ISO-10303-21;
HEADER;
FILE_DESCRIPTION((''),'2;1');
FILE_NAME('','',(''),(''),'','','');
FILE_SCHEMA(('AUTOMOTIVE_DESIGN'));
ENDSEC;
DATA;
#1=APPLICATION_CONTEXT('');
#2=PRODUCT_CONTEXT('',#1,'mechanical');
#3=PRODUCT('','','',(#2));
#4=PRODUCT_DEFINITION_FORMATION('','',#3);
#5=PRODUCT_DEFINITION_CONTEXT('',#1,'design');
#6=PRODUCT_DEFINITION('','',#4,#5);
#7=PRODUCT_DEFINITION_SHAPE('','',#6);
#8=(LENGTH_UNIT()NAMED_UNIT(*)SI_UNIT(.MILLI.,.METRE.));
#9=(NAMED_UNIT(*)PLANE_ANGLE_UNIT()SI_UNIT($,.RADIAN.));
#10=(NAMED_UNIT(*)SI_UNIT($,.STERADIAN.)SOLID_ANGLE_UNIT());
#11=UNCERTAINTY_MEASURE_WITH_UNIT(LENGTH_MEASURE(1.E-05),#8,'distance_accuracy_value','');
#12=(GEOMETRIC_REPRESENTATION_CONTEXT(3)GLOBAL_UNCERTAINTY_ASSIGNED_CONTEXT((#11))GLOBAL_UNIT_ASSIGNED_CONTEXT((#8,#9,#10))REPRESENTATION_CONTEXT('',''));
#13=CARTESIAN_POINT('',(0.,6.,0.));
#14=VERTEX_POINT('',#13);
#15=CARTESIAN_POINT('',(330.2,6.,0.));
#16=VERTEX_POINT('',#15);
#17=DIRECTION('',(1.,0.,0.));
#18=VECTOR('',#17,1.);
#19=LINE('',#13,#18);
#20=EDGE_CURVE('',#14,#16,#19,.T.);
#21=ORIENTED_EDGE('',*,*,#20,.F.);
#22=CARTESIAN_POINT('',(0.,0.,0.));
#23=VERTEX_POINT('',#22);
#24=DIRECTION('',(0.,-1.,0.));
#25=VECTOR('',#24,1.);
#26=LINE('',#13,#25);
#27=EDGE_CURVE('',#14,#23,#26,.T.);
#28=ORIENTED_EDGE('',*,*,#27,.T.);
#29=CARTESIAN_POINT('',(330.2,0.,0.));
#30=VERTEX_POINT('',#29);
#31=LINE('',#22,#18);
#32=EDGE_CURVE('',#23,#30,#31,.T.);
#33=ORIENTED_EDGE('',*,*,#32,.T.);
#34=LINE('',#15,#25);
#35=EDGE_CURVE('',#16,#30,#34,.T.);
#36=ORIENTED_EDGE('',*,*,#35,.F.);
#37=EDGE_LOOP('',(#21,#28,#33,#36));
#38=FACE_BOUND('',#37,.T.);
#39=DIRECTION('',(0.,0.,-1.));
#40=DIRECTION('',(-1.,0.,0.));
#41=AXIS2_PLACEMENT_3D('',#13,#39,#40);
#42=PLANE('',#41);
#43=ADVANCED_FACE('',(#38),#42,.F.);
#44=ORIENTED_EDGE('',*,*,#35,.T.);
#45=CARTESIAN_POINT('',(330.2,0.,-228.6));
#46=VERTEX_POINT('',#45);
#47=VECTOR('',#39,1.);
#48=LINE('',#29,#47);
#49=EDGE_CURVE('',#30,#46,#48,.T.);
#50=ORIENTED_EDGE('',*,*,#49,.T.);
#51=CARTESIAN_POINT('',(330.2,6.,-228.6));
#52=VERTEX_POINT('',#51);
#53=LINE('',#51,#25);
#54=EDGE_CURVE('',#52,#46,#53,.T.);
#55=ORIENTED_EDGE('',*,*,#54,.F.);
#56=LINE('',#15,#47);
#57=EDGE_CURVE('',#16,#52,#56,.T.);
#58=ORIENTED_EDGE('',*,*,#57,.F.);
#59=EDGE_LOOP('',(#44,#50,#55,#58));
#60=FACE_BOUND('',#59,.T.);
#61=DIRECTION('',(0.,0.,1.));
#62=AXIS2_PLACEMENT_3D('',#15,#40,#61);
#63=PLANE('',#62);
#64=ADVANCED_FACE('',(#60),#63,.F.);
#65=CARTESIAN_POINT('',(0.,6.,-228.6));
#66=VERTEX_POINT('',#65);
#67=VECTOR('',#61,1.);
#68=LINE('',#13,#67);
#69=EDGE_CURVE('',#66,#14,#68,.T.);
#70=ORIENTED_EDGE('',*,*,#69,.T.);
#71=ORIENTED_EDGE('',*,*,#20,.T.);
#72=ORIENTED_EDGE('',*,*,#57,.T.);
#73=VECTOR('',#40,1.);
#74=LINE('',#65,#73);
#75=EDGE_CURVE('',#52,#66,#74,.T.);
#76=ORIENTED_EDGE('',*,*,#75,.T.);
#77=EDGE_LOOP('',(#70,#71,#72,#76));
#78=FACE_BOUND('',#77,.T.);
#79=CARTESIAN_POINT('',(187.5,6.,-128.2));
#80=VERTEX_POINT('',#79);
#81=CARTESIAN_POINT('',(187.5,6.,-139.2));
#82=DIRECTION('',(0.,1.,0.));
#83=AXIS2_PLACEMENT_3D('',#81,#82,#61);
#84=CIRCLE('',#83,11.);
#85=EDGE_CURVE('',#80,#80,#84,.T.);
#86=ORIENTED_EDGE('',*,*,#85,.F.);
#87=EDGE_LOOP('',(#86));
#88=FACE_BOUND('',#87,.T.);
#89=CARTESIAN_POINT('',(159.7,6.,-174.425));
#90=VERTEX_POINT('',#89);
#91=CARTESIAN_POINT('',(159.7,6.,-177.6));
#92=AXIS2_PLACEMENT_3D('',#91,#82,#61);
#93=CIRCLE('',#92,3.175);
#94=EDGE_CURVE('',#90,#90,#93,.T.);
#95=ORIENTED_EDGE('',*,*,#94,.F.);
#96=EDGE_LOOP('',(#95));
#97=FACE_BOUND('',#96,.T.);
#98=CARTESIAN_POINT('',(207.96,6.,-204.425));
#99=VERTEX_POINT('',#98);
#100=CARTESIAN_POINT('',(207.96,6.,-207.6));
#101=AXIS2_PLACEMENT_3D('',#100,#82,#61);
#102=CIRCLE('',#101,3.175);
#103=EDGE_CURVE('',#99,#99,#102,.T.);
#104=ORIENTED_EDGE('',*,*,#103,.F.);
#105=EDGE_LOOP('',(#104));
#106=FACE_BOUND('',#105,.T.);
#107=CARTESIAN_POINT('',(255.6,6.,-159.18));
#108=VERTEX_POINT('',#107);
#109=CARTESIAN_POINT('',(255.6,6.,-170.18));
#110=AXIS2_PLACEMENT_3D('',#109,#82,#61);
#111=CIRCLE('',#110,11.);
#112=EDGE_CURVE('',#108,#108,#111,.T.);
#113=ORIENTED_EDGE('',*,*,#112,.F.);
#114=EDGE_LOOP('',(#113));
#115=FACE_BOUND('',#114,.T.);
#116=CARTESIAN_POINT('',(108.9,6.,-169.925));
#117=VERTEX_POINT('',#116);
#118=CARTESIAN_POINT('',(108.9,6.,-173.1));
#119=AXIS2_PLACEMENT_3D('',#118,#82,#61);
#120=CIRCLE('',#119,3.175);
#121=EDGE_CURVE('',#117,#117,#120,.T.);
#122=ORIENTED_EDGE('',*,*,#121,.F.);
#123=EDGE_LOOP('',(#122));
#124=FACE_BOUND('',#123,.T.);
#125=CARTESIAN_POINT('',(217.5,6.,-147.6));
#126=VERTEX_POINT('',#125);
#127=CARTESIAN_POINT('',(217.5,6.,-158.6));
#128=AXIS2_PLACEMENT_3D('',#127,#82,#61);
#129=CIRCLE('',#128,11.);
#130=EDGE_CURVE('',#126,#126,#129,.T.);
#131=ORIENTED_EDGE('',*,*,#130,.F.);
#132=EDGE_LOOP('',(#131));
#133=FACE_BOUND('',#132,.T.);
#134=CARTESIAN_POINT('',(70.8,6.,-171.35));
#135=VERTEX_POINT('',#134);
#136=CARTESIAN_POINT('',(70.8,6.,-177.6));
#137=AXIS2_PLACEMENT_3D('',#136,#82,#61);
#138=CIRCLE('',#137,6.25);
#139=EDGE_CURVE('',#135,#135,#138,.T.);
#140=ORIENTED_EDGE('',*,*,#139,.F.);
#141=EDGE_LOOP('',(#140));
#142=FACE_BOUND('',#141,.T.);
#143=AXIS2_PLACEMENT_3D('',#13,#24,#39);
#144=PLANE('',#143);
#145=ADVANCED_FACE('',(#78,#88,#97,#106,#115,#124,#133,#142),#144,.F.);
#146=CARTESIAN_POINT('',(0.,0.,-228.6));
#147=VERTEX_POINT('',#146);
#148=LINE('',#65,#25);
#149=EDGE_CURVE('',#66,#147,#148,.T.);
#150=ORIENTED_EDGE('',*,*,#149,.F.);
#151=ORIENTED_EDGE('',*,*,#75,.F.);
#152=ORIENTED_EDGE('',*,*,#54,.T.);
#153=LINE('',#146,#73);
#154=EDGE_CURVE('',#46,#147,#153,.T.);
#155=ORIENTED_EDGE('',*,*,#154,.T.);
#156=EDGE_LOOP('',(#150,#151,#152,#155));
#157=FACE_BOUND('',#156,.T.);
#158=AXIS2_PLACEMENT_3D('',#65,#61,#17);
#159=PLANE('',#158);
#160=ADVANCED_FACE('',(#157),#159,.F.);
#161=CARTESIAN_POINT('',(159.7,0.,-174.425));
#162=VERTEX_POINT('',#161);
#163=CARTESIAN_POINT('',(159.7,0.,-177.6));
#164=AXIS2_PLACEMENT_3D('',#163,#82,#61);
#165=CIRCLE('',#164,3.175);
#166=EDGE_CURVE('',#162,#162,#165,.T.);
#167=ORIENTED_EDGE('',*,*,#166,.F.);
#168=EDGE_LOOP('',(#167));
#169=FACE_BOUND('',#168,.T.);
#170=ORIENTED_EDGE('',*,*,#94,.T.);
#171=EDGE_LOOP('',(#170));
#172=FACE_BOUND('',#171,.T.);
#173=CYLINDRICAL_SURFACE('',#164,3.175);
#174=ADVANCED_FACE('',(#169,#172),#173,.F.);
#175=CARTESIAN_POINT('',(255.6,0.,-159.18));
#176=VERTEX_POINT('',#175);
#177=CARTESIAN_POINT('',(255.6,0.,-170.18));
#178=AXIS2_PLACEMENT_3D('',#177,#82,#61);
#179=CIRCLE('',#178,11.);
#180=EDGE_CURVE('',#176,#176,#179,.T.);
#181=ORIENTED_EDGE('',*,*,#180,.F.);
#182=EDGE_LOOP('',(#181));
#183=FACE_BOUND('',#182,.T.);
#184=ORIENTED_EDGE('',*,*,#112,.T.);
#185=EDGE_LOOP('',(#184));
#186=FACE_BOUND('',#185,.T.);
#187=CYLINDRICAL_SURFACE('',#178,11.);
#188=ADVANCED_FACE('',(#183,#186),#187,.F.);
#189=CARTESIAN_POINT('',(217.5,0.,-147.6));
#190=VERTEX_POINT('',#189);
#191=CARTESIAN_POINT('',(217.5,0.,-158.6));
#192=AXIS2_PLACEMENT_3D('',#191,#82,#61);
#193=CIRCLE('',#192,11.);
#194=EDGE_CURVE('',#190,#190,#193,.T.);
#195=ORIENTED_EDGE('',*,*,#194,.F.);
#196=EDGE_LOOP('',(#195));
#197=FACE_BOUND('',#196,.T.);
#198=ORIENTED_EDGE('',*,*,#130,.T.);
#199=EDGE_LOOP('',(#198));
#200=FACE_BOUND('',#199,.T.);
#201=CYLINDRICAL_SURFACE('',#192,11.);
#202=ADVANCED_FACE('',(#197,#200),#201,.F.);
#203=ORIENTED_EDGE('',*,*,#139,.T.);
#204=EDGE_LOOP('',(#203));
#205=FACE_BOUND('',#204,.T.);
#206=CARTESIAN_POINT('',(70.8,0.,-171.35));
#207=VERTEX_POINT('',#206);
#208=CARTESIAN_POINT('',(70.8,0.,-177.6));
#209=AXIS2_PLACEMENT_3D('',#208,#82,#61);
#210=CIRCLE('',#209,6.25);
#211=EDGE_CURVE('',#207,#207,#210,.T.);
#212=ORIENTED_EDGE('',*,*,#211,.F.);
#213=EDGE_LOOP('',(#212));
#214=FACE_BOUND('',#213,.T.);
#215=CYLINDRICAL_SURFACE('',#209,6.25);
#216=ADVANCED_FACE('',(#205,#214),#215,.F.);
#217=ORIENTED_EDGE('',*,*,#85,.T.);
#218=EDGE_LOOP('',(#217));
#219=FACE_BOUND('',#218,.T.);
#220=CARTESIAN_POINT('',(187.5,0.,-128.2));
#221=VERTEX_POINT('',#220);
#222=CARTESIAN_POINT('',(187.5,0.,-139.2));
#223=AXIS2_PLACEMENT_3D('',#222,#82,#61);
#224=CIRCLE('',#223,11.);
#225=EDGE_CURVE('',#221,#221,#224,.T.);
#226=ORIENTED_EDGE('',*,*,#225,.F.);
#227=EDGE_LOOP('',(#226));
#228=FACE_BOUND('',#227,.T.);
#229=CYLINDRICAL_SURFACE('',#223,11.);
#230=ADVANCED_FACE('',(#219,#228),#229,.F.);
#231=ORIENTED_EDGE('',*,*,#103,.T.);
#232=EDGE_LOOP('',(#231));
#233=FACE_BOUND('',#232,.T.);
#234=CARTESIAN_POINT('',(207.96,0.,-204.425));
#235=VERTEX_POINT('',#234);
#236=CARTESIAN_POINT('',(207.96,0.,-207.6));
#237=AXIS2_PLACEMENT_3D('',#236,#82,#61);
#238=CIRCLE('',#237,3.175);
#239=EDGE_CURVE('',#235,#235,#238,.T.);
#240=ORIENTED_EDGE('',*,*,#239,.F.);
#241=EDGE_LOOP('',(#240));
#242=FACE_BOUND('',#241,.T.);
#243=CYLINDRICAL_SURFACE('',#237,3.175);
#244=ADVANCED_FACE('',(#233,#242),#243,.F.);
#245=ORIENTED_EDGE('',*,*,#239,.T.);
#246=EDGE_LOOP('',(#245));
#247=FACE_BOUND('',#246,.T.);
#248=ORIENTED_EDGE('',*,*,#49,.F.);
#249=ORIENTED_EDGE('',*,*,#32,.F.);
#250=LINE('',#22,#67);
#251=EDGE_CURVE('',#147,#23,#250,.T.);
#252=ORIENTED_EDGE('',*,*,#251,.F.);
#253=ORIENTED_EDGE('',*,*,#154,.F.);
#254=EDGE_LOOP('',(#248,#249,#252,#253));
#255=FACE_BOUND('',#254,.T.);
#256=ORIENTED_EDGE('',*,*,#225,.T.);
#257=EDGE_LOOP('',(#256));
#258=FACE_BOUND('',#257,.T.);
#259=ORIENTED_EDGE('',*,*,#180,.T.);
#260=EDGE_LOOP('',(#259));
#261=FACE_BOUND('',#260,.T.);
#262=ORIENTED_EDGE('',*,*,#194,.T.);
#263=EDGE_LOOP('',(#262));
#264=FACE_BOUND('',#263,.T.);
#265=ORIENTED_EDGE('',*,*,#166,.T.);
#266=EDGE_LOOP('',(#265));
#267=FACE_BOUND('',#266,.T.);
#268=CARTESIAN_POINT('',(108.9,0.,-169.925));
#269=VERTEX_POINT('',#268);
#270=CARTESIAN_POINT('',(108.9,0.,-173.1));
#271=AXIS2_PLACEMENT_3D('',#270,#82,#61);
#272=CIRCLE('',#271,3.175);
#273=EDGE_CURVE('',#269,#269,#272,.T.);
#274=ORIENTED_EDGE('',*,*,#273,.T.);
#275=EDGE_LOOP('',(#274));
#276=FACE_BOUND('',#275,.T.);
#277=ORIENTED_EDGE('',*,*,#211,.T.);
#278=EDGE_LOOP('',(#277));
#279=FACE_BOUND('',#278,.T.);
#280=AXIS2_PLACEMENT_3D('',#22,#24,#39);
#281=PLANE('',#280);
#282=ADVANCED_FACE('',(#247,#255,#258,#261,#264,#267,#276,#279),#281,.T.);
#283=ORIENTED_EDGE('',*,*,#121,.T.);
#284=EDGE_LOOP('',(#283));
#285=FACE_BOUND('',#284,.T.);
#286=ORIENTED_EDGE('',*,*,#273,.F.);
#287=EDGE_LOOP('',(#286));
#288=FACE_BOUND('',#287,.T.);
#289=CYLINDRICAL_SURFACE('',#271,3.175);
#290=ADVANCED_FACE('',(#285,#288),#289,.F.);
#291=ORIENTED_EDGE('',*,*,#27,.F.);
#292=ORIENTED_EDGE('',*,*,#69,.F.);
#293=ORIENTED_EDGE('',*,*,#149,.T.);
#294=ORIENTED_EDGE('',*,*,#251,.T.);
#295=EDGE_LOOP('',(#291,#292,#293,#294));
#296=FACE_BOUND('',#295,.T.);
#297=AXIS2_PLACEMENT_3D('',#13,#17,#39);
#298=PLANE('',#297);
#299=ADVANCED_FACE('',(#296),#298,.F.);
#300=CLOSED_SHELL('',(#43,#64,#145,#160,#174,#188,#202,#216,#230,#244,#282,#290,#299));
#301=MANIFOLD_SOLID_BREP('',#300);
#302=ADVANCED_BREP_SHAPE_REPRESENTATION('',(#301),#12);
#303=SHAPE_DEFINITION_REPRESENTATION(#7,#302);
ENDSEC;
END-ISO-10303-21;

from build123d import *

# Parameters (mm, degrees)
SKETCH1_W           = 330.2
SKETCH1_H           = 228.6
BOSS_EXTRUDE1_DEPTH = 6
SKETCH2_R           = 6.25
SKETCH2_R_2         = 3.175
SKETCH2_R_3         = 11
CUT_EXTRUDE1_DEPTH  = 402.654080024


with BuildPart() as part:
    # Sketch1 → Boss-Extrude1 (new body)
    with BuildSketch(Plane(origin=(0, 0, 0), x_dir=(1, 0, 0), z_dir=(0, 1, 0))):
        with Locations((165.1, 114.3)):
            Rectangle(SKETCH1_W, SKETCH1_H)
    extrude(amount=BOSS_EXTRUDE1_DEPTH)

    # Sketch2 → Cut-Extrude1 (cut, through all)
    with BuildSketch(Plane(origin=(0, 6, 0), x_dir=(1, 0, 0), z_dir=(0, 1, 0))):
        with Locations(Location((70.8, 177.6, 0), (0, 0, 270))):
            Circle(SKETCH2_R)
        with Locations(Location((108.9, 173.1, 0), (0, 0, 270))):
            Circle(SKETCH2_R_2)
        with Locations(Location((159.7, 177.6, 0), (0, 0, 270))):
            Circle(SKETCH2_R_2)
        with Locations(Location((207.96, 207.6, 0), (0, 0, 270))):
            Circle(SKETCH2_R_2)
        with Locations(Location((187.5, 139.2, 0), (0, 0, 270))):
            Circle(SKETCH2_R_3)
        with Locations(Location((217.5, 158.6, 0), (0, 0, 270))):
            Circle(SKETCH2_R_3)
        with Locations(Location((255.6, 170.18, 0), (0, 0, 270))):
            Circle(SKETCH2_R_3)
    extrude(amount=-CUT_EXTRUDE1_DEPTH, mode=Mode.SUBTRACT)


solid = part.part
